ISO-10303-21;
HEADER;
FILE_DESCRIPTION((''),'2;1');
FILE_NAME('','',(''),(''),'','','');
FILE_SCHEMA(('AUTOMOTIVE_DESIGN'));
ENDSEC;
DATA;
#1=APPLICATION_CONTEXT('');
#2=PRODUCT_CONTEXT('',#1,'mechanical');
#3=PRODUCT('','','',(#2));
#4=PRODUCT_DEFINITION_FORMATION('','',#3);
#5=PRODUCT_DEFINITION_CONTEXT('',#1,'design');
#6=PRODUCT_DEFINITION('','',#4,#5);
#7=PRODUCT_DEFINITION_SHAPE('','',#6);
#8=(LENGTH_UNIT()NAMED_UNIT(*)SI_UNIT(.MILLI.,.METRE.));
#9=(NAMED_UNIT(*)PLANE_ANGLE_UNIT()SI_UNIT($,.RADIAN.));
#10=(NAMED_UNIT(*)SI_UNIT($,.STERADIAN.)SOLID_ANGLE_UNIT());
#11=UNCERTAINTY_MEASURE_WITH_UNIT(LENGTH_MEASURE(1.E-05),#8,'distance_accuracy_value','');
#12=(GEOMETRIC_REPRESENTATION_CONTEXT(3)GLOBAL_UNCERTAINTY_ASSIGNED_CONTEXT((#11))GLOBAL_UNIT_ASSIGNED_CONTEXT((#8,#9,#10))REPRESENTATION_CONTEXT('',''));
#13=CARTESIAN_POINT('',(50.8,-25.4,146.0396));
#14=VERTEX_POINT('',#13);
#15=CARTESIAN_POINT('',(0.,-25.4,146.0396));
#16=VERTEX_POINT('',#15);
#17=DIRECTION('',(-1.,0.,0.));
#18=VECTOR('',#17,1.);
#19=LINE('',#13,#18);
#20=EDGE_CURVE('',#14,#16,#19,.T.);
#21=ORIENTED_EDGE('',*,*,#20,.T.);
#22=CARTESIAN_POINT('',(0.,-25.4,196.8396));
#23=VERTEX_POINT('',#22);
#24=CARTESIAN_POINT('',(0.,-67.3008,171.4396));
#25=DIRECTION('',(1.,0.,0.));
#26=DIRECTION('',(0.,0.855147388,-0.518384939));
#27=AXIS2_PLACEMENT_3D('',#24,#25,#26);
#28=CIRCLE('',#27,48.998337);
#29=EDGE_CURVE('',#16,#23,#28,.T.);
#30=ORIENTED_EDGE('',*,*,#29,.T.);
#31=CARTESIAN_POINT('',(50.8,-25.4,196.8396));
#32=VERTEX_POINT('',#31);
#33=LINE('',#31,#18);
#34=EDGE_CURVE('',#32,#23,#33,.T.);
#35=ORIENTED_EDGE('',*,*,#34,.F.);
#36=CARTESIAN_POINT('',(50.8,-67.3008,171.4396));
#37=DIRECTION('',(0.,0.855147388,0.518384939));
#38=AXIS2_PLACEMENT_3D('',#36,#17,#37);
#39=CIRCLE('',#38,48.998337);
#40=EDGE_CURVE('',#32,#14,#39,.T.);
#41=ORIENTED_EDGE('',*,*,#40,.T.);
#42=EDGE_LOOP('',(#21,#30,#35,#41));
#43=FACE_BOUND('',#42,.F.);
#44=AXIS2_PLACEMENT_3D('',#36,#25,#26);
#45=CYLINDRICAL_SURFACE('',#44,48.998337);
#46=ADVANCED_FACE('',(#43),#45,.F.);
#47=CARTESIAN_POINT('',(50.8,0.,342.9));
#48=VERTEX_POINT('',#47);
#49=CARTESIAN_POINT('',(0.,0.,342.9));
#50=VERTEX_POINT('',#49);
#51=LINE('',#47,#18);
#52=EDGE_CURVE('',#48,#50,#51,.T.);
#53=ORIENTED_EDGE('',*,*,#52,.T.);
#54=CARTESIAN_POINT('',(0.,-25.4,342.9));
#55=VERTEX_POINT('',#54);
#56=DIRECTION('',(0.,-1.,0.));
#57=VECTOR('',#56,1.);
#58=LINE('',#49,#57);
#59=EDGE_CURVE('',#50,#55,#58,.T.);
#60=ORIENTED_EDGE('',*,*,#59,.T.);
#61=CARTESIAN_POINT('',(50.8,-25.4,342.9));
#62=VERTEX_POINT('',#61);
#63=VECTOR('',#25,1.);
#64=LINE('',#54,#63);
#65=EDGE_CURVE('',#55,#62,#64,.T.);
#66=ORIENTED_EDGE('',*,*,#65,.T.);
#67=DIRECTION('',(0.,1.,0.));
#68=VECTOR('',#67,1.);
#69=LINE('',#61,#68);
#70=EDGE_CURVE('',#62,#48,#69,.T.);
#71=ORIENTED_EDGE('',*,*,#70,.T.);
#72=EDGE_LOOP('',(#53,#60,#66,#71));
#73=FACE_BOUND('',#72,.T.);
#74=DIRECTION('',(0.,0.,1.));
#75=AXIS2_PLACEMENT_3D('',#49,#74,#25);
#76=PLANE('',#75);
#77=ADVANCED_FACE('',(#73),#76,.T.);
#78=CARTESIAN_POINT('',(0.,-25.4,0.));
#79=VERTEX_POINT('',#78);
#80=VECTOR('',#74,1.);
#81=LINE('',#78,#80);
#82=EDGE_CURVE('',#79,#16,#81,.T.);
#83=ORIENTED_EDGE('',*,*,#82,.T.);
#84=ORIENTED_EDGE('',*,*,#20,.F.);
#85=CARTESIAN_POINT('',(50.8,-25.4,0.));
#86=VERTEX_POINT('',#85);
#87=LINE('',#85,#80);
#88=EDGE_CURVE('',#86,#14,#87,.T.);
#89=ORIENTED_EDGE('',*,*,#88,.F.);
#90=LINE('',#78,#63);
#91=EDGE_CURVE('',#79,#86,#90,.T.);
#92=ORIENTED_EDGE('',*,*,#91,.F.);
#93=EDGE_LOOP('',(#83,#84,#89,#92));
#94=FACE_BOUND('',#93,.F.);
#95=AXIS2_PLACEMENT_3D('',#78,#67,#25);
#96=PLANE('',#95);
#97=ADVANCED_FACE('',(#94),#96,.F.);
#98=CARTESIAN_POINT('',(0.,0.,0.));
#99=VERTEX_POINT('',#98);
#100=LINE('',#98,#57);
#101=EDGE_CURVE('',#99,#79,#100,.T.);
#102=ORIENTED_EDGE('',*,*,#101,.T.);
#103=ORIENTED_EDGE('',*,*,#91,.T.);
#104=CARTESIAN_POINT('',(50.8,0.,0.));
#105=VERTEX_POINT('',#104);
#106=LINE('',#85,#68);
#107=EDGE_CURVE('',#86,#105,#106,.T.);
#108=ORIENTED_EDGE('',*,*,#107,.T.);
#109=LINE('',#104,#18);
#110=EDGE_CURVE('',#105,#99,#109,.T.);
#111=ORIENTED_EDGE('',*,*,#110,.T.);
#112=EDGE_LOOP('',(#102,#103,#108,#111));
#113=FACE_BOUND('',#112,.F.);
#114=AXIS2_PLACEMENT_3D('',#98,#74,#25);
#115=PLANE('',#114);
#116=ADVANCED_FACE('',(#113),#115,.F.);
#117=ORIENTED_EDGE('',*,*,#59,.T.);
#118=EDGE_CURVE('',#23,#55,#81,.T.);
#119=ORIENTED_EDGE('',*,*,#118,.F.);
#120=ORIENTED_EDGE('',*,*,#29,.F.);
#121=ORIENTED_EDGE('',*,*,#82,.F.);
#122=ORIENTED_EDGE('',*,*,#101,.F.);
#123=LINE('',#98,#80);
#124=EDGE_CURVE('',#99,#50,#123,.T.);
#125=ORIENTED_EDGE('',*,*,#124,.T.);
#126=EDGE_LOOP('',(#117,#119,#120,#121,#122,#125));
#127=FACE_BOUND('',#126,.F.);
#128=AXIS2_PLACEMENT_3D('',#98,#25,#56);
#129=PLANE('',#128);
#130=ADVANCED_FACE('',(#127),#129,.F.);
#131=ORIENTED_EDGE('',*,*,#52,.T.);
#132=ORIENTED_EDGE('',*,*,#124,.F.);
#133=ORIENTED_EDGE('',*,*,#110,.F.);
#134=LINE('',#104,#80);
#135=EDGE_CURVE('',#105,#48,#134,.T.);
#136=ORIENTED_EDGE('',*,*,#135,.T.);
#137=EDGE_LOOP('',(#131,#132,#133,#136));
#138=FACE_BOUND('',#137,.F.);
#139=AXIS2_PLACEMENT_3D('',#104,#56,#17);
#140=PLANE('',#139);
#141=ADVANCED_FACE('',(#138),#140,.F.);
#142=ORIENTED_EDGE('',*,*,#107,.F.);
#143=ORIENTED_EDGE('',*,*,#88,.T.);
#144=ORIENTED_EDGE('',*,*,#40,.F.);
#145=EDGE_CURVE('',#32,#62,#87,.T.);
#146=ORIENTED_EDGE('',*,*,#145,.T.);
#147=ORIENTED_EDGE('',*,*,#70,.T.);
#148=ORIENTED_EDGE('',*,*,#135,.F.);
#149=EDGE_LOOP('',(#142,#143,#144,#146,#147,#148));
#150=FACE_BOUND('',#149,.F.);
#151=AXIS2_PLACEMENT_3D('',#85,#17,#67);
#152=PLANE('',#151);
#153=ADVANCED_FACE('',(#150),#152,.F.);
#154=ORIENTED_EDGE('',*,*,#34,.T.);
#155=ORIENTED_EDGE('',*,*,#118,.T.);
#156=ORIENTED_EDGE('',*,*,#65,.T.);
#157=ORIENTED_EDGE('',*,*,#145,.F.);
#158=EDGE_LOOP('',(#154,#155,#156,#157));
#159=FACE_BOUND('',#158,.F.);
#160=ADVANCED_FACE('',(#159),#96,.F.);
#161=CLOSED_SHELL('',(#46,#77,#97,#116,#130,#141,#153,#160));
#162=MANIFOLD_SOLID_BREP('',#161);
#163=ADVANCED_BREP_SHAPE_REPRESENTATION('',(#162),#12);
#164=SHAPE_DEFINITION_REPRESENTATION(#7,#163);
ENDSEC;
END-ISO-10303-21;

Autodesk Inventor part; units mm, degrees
ref_plane "YZ Plane" through (0, 0, 0) normal (1, 0, 0) x (0, 1, 0)
ref_plane "XZ Plane" through (0, 0, 0) normal (0, 1, 0) x (-1, 0, 0)
ref_plane "XY Plane" through (0, 0, 0) normal (0, 0, 1) x (1, 0, 0)
sketch "Sketch1" plane through (0, 0, 0) normal (0, 0, 1) x (1, 0, 0)
  line L0 (0, 0) -> (0, -25.4)
  line L1 (0, -25.4) -> (50.8, -25.4)
  line L2 (50.8, -25.4) -> (50.8, 0)
  line L3 (50.8, 0) -> (0, 0)
  dimension "d0" = 25.4
  dimension "d1" = 50.8
extrude "Extrusion1" add sketch "Sketch1" along normal blind 342.9
sketch "Sketch3" plane through (50.8, -25.4, 0) normal (1, 0, 0) x (0, 0, -1)
  line L0 (0, 0) -> (-342.9, 0) projected
  line L1 (-171.45, 0) -> (-196.8396, 0)
  line L2 (-196.8396, 0) -> (-146.0396, 0)
  arc A0 (-146.0396, 0) -> (-196.8396, 0) centre (-171.4396, -41.9008) ccw
  line L3 (-171.45, 0) -> (-171.45, 25.4)
  point P0 (0, 25.4)
  dimension "d10" = 50.8
extrude "Extrusion2" cut sketch "Sketch3" against normal through all
properties part number "connectingthing" material "Aluminum 6061"
